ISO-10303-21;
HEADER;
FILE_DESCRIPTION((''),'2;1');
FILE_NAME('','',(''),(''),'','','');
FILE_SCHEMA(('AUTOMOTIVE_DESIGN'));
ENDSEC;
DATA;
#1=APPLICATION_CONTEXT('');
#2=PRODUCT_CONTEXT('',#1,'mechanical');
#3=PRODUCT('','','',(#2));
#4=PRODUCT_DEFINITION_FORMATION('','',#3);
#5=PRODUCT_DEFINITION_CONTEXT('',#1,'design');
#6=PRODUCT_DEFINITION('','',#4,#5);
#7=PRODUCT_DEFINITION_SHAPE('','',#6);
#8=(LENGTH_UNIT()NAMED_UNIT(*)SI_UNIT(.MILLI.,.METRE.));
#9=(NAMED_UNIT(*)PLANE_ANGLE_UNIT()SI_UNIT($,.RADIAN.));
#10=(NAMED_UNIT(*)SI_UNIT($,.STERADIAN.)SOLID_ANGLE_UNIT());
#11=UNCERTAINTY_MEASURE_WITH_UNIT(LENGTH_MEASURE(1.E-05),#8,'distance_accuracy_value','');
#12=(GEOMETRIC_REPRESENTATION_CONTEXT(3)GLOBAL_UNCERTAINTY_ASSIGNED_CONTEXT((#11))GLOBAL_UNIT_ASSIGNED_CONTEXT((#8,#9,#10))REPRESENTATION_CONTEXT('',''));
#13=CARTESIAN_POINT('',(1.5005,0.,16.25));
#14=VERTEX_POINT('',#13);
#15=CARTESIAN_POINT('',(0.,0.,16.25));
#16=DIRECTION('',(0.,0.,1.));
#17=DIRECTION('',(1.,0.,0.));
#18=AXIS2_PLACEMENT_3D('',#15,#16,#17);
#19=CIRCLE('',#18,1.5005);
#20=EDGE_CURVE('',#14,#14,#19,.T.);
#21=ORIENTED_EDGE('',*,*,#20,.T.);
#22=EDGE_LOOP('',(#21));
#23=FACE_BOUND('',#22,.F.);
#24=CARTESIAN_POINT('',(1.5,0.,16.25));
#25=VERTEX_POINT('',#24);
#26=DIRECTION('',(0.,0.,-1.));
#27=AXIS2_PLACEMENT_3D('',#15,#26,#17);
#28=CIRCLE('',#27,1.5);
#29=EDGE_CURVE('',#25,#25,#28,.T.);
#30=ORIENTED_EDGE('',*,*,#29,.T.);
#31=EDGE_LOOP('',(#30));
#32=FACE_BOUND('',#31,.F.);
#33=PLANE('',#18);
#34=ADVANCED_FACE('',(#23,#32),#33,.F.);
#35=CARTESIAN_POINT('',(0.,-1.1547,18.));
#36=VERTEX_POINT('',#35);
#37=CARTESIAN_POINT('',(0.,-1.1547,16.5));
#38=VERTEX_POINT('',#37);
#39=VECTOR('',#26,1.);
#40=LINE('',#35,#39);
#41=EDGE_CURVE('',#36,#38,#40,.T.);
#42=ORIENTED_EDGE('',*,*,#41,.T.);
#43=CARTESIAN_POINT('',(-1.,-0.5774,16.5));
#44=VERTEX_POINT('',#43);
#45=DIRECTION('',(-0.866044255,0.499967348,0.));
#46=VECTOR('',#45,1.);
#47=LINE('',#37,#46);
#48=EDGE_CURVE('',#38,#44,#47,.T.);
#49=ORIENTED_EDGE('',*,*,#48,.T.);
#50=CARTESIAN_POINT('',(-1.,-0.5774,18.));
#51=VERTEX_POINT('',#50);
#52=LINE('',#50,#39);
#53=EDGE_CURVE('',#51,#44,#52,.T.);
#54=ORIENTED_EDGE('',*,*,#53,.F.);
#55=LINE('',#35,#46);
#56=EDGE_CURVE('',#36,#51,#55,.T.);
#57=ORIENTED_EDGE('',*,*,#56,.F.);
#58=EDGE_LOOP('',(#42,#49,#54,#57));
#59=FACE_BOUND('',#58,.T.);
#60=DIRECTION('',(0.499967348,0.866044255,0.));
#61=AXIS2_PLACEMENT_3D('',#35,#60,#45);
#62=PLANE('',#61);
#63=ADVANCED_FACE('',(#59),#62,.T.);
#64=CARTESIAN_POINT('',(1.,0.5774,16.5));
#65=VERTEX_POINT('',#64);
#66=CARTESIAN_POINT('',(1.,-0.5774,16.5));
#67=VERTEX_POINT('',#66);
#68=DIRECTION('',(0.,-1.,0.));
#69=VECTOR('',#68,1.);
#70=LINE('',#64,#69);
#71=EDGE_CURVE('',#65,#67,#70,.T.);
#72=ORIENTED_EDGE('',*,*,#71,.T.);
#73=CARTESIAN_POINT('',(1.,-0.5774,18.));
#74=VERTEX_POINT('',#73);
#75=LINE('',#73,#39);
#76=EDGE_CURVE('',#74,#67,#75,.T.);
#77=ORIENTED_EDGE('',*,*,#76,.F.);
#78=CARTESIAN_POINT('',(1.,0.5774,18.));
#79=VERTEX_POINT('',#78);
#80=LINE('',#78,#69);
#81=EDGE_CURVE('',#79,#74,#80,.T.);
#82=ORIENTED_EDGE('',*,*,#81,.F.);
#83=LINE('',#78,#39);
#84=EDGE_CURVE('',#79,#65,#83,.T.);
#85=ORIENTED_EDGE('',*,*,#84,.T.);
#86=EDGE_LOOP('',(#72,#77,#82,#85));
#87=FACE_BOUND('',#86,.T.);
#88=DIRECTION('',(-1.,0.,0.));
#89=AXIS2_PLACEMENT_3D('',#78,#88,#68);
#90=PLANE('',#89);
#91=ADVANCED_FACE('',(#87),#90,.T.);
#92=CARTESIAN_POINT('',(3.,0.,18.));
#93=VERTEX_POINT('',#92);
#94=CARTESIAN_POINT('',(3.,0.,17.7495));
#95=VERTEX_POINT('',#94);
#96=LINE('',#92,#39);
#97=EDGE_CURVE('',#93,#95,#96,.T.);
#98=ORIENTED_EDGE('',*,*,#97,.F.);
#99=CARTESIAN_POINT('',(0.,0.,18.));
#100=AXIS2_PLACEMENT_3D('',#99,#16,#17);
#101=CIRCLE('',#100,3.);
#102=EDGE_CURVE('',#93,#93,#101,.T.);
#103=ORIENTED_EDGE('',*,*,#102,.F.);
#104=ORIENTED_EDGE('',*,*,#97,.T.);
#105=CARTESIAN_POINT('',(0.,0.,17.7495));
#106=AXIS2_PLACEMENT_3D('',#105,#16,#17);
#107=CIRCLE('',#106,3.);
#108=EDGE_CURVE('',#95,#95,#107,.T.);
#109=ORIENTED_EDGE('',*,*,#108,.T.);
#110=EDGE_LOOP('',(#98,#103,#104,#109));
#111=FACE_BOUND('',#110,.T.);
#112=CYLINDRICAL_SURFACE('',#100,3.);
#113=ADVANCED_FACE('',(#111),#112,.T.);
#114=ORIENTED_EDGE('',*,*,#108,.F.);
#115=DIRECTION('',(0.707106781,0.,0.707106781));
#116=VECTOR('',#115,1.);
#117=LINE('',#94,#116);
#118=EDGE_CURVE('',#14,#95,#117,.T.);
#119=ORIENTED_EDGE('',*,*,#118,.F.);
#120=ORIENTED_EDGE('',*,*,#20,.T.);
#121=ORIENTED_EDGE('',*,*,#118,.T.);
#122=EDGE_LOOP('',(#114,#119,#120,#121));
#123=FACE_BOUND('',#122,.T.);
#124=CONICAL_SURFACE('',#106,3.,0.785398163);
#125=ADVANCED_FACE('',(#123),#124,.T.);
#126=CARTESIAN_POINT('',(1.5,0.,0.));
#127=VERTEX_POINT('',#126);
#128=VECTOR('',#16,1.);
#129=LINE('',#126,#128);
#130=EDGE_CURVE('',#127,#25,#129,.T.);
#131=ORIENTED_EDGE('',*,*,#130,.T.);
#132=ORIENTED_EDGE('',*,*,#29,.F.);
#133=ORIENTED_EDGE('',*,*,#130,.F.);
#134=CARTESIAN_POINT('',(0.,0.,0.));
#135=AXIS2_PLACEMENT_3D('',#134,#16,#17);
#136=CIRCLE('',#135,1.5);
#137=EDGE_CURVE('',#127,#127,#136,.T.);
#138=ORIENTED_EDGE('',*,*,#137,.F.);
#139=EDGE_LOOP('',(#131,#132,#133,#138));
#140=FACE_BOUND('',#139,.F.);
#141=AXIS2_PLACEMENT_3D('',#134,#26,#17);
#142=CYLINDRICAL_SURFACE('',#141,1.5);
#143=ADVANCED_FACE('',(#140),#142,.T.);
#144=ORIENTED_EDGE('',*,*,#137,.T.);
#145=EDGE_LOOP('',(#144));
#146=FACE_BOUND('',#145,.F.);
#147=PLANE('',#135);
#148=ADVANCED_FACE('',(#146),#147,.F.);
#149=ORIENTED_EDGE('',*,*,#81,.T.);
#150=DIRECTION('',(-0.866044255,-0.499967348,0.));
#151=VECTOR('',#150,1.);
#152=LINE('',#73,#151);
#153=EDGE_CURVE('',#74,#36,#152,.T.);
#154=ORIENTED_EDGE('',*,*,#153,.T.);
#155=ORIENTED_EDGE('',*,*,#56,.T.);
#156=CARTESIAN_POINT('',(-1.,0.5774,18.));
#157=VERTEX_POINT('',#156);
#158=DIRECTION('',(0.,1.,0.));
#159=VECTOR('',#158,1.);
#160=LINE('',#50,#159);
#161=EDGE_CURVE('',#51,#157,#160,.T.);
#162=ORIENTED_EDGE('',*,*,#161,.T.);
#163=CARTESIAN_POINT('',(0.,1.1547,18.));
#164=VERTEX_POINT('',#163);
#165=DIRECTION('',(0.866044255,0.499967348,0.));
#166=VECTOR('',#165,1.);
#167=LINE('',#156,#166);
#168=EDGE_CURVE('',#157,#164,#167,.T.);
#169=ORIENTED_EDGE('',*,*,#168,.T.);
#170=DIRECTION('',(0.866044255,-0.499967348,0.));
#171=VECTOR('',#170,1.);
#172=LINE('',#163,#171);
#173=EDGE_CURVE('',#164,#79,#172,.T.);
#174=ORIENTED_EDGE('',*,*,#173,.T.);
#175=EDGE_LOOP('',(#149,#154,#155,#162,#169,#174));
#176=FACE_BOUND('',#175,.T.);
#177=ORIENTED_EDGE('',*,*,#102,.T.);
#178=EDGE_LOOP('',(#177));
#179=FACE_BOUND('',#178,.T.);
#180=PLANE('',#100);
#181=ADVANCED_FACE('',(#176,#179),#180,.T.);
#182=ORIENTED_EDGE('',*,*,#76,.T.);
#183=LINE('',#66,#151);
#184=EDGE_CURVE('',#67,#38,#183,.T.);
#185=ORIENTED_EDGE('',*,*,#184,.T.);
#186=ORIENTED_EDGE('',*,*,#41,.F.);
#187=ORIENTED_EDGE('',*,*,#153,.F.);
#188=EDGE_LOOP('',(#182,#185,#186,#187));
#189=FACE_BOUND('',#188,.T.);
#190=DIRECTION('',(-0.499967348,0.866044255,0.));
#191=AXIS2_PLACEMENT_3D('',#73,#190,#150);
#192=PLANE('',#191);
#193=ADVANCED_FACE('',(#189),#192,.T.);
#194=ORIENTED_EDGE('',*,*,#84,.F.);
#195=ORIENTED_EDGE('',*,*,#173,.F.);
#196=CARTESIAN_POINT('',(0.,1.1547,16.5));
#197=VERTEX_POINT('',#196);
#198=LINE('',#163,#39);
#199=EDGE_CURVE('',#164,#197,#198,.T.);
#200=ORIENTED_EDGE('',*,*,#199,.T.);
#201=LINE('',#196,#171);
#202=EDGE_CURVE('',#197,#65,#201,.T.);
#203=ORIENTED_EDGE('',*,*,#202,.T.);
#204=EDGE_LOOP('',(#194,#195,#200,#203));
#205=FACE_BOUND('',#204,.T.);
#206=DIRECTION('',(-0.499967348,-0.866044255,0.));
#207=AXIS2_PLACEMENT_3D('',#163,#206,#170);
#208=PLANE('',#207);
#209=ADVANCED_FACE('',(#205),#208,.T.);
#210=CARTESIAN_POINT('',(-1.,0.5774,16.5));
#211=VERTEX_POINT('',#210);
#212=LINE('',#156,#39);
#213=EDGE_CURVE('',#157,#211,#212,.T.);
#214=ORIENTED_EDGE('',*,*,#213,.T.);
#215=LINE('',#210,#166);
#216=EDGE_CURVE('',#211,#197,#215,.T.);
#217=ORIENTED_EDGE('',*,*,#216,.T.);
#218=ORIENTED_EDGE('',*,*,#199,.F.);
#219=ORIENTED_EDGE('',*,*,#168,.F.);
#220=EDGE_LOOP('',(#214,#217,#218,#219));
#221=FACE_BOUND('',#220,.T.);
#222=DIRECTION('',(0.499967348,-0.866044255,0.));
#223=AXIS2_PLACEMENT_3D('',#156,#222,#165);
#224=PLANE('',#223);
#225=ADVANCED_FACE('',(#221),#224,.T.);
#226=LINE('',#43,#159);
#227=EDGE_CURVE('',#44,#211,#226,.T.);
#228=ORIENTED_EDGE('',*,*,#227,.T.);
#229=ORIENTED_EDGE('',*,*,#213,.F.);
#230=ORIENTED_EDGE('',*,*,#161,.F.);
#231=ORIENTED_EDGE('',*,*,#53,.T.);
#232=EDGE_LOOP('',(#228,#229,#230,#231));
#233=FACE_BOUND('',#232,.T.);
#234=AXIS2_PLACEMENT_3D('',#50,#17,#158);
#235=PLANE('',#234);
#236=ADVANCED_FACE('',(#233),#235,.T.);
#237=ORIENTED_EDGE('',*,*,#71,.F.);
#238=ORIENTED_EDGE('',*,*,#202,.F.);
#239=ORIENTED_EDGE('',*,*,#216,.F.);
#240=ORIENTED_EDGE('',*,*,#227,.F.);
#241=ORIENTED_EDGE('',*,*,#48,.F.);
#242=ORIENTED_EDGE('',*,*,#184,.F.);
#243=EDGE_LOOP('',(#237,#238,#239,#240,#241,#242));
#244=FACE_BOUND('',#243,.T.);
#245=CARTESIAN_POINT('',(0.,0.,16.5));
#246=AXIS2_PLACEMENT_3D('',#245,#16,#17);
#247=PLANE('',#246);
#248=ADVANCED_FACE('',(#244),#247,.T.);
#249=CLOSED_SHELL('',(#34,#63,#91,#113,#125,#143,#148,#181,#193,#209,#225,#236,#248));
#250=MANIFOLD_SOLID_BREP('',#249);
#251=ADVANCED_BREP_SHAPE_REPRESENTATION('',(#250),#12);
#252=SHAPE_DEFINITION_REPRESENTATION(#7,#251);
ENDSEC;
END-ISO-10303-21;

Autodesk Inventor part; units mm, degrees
ref_plane "YZ Plane" through (0, 0, 0) normal (1, 0, 0) x (0, 1, 0)
ref_plane "XZ Plane" through (0, 0, 0) normal (0, 1, 0) x (-1, 0, 0)
ref_plane "XY Plane" through (0, 0, 0) normal (0, 0, 1) x (1, 0, 0)
sketch "スケッチ1" plane through (0, 0, 0) normal (0, 0, 1) x (1, 0, 0)
  circle A0 centre (0, 0) radius 1.5
  dimension "d0" = 3
extrude "押し出し1" add sketch "スケッチ1" along normal blind 18
thread "ねじ1" size "M3x0.5" class "6g" standard "ANSI Metric M Profile" full length
sketch "スケッチ2" plane through (0, 0, 18) normal (0, 0, 1) x (1, 0, 0)
  circle A0 centre (0, 0) radius 3
  dimension "d5" = 6
extrude "押し出し2" add sketch "スケッチ2" against normal blind 1.75
chamfer "面取り1" distance 1.5 angle 45 1 edges at (-3, 0, 16.25)
sketch "スケッチ3" plane through (0, 0, 18) normal (0, 0, 1) x (1, 0, 0)
  line L0 (0, 1.1547) -> (1, 0.5774)
  line L1 (1, 0.5774) -> (1, -0.5774)
  line L2 (1, -0.5774) -> (0, -1.1547)
  line L3 (0, -1.1547) -> (-1, -0.5774)
  line L4 (-1, -0.5774) -> (-1, 0.5774)
  line L5 (-1, 0.5774) -> (0, 1.1547)
  point P0 (0, 0)
  point P1 (0, 0)
  dimension "d11" = 2
extrude "押し出し3" cut sketch "スケッチ3" against normal blind 1.5
properties part number "m3皿ネジ18 (1)" material "鉄 灰色"
